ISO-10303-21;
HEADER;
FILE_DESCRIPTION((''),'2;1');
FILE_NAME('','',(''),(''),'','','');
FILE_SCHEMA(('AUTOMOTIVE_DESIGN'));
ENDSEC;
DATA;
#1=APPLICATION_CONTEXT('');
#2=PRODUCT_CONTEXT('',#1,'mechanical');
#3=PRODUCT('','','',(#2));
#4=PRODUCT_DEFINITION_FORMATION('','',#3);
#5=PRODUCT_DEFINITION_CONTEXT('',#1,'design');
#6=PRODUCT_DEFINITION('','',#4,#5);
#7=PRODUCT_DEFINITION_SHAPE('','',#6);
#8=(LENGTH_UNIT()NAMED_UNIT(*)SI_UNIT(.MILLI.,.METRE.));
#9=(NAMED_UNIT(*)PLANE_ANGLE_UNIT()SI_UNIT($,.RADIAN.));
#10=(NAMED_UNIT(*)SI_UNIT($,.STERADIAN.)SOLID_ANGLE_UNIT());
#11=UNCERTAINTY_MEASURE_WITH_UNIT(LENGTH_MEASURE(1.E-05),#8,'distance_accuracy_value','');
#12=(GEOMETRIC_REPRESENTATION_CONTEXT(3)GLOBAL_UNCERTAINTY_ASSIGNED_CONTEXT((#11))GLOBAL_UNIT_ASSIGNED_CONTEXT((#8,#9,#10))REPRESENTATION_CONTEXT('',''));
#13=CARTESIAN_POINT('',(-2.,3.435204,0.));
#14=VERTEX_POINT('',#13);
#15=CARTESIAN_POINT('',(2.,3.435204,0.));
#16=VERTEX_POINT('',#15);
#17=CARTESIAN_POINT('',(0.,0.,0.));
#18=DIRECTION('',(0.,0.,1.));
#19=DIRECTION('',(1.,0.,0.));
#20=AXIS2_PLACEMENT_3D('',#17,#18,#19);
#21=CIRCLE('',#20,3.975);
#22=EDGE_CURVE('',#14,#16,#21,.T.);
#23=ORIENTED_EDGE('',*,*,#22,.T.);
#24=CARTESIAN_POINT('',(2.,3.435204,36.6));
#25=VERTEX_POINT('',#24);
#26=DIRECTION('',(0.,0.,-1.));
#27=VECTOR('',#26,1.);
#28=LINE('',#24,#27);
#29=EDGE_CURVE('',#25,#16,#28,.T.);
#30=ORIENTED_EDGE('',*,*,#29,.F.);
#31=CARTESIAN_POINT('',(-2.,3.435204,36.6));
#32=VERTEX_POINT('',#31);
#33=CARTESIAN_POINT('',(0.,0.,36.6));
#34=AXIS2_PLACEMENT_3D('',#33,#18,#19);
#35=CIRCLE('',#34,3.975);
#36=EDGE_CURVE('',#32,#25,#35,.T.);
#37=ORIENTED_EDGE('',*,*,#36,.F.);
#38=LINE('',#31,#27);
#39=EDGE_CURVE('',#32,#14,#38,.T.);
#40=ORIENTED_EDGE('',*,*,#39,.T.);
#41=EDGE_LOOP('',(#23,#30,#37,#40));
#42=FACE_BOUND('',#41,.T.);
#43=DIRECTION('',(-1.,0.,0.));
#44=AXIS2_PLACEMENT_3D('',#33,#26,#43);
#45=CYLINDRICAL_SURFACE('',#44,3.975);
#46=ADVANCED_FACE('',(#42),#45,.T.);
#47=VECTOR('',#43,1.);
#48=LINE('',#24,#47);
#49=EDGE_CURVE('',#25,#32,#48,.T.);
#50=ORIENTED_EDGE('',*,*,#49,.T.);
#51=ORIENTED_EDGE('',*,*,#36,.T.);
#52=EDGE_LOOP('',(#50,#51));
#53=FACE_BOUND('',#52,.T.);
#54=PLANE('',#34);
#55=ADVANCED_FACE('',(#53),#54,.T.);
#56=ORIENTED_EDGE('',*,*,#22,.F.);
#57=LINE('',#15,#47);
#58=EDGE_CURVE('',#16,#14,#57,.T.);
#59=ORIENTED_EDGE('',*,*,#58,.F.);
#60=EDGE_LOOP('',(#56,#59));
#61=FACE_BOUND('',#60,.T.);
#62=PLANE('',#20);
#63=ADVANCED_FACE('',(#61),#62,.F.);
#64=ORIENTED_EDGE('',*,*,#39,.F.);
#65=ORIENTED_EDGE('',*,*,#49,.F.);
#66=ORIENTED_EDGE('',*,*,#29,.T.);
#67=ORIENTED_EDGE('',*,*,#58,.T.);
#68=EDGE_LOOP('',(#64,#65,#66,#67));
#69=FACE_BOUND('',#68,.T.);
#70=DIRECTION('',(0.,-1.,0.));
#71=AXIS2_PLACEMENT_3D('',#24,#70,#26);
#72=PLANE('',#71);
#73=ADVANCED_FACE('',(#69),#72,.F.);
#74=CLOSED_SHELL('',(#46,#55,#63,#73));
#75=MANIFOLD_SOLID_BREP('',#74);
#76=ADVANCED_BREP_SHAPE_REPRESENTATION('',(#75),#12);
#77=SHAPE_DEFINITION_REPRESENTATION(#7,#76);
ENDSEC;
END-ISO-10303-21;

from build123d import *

# Parameters (mm, degrees)
BOSS_EXTRUDE1_DEPTH = 36.6


with BuildPart() as part:
    # Sketch1 → Boss-Extrude1 (new body)
    with BuildSketch(Plane.XY):
        with BuildLine():
            Line((2, 3.435203779), (-2, 3.435203779))
            ThreePointArc((-2, 3.435203779), (0, -3.975), (2, 3.435203779))
        make_face()
    extrude(amount=BOSS_EXTRUDE1_DEPTH)


solid = part.part
